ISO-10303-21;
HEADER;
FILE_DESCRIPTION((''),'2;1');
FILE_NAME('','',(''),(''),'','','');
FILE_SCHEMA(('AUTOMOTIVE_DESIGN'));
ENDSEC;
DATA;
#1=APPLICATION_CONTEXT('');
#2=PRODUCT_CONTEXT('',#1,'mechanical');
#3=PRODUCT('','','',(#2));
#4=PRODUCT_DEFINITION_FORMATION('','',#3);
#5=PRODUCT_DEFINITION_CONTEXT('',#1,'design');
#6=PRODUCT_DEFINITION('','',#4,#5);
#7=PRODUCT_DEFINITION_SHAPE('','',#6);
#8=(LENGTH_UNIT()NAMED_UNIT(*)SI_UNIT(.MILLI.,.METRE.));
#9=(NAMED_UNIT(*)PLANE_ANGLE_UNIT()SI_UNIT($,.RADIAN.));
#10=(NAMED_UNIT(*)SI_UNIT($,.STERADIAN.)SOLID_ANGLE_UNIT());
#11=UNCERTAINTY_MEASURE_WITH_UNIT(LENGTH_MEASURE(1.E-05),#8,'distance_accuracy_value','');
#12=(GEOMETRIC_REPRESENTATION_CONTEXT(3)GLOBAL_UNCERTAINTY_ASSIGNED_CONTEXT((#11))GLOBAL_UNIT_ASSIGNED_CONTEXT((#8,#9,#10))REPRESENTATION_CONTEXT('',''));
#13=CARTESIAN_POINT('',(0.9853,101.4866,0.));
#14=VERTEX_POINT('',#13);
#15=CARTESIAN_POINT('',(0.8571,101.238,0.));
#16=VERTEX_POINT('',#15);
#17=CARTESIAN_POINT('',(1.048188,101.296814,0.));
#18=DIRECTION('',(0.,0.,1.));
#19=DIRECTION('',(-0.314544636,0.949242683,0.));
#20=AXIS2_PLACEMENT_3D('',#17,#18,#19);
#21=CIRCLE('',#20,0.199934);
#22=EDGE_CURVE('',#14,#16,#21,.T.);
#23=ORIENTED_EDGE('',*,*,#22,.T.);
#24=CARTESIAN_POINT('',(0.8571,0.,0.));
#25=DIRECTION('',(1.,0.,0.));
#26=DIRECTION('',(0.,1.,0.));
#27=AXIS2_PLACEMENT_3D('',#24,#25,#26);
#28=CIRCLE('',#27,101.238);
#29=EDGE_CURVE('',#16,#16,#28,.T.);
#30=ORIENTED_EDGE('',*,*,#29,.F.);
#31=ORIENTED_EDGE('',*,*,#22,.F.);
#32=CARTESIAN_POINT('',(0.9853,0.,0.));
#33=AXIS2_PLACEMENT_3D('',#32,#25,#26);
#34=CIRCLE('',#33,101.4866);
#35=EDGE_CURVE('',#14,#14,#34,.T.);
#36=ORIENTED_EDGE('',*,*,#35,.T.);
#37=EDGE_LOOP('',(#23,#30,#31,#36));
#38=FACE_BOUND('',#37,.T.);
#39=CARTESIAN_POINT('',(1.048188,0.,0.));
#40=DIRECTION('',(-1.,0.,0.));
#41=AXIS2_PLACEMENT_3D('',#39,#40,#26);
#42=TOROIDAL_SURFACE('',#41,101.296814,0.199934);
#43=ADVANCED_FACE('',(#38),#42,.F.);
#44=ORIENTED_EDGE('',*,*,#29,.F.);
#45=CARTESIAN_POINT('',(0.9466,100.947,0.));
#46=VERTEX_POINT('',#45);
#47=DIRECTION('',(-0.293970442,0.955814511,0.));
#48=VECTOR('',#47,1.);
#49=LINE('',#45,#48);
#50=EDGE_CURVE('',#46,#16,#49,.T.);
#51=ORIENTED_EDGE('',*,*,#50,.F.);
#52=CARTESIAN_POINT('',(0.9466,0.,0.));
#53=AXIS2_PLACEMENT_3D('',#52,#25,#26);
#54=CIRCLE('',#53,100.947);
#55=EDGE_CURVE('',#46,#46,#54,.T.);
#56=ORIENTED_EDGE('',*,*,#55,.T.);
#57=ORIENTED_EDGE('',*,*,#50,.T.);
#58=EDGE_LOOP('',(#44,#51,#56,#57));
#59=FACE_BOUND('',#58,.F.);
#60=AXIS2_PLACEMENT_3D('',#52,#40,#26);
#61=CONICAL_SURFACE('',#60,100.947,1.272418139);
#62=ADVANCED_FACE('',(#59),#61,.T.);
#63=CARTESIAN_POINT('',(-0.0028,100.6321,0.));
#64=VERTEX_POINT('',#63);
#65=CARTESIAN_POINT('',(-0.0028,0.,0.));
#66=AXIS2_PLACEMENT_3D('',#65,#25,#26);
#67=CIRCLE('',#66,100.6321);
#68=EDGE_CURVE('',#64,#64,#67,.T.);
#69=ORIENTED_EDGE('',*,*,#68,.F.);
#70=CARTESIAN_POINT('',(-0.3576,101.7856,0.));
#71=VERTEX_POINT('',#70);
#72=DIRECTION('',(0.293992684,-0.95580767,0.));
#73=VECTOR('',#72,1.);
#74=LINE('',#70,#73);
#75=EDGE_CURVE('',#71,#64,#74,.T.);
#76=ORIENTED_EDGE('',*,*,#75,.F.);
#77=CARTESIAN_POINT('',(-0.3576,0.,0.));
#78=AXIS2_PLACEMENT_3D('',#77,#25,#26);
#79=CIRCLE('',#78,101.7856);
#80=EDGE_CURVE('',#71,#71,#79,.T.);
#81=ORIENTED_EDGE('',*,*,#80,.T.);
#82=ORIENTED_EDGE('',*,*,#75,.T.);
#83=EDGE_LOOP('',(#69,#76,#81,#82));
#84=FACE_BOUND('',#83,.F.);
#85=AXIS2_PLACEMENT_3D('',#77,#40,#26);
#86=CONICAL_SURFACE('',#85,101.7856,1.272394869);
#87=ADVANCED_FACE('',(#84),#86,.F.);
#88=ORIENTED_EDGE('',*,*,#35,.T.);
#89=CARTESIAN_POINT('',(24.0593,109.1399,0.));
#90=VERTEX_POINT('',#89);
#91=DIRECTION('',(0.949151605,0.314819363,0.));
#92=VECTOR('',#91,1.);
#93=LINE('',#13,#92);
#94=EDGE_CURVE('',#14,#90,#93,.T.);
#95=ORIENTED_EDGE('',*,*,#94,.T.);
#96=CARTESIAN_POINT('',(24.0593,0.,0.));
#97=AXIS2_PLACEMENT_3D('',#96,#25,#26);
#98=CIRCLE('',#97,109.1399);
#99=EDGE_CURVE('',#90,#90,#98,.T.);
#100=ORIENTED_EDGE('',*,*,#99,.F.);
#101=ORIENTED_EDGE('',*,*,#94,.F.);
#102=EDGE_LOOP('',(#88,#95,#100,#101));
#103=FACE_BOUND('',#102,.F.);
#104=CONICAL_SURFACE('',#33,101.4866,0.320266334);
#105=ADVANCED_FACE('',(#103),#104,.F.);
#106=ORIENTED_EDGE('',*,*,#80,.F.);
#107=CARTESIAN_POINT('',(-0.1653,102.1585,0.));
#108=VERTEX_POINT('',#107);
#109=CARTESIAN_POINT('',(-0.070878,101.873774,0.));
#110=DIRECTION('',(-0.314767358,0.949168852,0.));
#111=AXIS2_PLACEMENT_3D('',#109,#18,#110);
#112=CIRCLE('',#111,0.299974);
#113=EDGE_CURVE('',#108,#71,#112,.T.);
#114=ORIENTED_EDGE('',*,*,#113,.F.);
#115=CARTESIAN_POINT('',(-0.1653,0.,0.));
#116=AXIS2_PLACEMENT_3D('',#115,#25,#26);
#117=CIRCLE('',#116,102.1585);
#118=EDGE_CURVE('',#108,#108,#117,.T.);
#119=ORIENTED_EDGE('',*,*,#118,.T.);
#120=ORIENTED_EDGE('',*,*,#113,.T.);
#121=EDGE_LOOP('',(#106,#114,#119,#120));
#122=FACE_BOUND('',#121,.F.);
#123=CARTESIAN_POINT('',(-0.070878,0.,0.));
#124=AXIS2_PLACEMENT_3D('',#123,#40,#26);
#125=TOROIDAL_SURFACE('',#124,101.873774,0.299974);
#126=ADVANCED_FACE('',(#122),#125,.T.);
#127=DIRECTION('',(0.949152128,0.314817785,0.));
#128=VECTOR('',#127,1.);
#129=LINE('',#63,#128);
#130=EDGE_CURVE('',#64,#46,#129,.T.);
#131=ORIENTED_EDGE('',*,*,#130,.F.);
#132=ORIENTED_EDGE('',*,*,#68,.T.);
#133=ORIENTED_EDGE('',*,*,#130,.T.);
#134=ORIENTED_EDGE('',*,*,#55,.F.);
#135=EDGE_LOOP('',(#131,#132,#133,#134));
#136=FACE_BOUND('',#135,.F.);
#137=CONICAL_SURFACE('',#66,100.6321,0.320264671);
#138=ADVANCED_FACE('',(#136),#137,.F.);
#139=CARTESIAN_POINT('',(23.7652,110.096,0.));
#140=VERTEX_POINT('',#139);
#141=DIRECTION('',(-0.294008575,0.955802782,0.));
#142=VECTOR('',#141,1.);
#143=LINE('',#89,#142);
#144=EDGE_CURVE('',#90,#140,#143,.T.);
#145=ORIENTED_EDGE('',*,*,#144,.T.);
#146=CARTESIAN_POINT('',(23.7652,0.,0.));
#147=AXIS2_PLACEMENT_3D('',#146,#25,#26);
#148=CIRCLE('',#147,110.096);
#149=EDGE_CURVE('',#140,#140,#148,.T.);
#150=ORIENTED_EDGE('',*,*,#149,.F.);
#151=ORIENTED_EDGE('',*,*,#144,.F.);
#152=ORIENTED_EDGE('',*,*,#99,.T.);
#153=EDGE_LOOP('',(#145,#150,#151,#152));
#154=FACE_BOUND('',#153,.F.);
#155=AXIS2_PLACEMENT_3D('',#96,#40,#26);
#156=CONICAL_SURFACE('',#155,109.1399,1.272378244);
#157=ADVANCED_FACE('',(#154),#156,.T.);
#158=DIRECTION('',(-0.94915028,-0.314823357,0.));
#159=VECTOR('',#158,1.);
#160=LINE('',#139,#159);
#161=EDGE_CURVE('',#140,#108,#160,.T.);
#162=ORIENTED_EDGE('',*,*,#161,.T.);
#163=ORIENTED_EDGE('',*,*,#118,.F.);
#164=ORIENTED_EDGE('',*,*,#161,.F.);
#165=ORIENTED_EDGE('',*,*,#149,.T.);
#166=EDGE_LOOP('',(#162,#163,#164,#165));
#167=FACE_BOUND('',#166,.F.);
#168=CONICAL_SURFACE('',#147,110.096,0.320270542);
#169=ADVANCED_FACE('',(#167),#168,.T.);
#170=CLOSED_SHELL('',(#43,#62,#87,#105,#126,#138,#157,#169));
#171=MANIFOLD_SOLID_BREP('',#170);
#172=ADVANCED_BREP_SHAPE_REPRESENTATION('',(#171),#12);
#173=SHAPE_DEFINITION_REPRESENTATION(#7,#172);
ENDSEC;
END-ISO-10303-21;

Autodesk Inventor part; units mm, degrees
sketch "Sketch_1" plane through (0, 0, 0) normal (0, 0, 1) x (1, 0, 0)
  line L0 (50, 0) -> (-50, 0)
  arc A0 (-0.1653, 102.1585) -> (-0.3576, 101.7856) centre (-0.0709, 101.8738) ccw
  line L1 (-0.3576, 101.7856) -> (-0.0028, 100.6321)
  line L2 (-0.0028, 100.6321) -> (0.9466, 100.947)
  line L3 (0.9466, 100.947) -> (0.8571, 101.238)
  arc A1 (0.9853, 101.4866) -> (0.8571, 101.238) centre (1.0482, 101.2968) ccw
  line L4 (0.9853, 101.4866) -> (24.0593, 109.1399)
  line L5 (24.0593, 109.1399) -> (23.7652, 110.096)
  line L6 (23.7652, 110.096) -> (-0.1653, 102.1585)
revolve "Revolution1" add sketch "Sketch_1" angle 360 about axis through (50, 0, 0) along (1, 0, 0)
ref_plane "cage_XY" through (0, 0, 0) normal (0, 0, 1) x (1, 0, 0)
ref_plane "cage_YZ" through (0, 0, 0) normal (1, 0, 0) x (0, 1, 0)
ref_plane "cage_ZX" through (0, 0, 0) normal (0, 1, 0) x (0, 0, 1)
ref_plane "roller1_XY" through (0, 100.0165, 0) normal (1, 0, 0) x (0, 0, -1)
ref_plane "roller1_YZ" through (0, 100.0165, 0) normal (0, 0, -1) x (0, 1, 0)
ref_plane "roller1_ZX" through (0, 100.0165, 0) normal (0, 1, 0) x (1, 0, 0)
ref_plane "roller10_XY" through (0, 4.2448, 99.9264) normal (1, 0, 0) x (0, 0.9991, -0.0424)
ref_plane "roller10_YZ" through (0, 4.2448, 99.9264) normal (0, 0.9991, -0.0424) x (0, 0.0424, 0.9991)
ref_plane "roller10_ZX" through (0, 4.2448, 99.9264) normal (0, 0.0424, 0.9991) x (1, 0, 0)
ref_plane "roller11_XY" through (0, -12.7039, 99.2064) normal (1, 0, 0) x (0, 0.9919, 0.127)
ref_plane "roller11_YZ" through (0, -12.7039, 99.2064) normal (0, 0.9919, 0.127) x (0, -0.127, 0.9919)
ref_plane "roller11_ZX" through (0, -12.7039, 99.2064) normal (0, -0.127, 0.9919) x (1, 0, 0)
ref_plane "roller12_XY" through (0, -29.2871, 95.6325) normal (1, 0, 0) x (0, 0.9562, 0.2928)
ref_plane "roller12_YZ" through (0, -29.2871, 95.6325) normal (0, 0.9562, 0.2928) x (0, -0.2928, 0.9562)
ref_plane "roller12_ZX" through (0, -29.2871, 95.6325) normal (0, -0.2928, 0.9562) x (1, 0, 0)
ref_plane "roller13_XY" through (0, -45.0278, 89.3073) normal (1, 0, 0) x (0, 0.8929, 0.4502)
ref_plane "roller13_YZ" through (0, -45.0278, 89.3073) normal (0, 0.8929, 0.4502) x (0, -0.4502, 0.8929)
ref_plane "roller13_ZX" through (0, -45.0278, 89.3073) normal (0, -0.4502, 0.8929) x (1, 0, 0)
ref_plane "roller14_XY" through (0, -59.4731, 80.413) normal (1, 0, 0) x (0, 0.804, 0.5946)
ref_plane "roller14_YZ" through (0, -59.4731, 80.413) normal (0, 0.804, 0.5946) x (0, -0.5946, 0.804)
ref_plane "roller14_ZX" through (0, -59.4731, 80.413) normal (0, -0.5946, 0.804) x (1, 0, 0)
ref_plane "roller15_XY" through (0, -72.2075, 69.2053) normal (1, 0, 0) x (0, 0.6919, 0.722)
ref_plane "roller15_YZ" through (0, -72.2075, 69.2053) normal (0, 0.6919, 0.722) x (0, -0.722, 0.6919)
ref_plane "roller15_ZX" through (0, -72.2075, 69.2053) normal (0, -0.722, 0.6919) x (1, 0, 0)
ref_plane "roller16_XY" through (0, -82.8646, 56.0067) normal (1, 0, 0) x (0, 0.56, 0.8285)
ref_plane "roller16_YZ" through (0, -82.8646, 56.0067) normal (0, 0.56, 0.8285) x (0, -0.8285, 0.56)
ref_plane "roller16_ZX" through (0, -82.8646, 56.0067) normal (0, -0.8285, 0.56) x (1, 0, 0)
ref_plane "roller17_XY" through (0, -91.1379, 41.1969) normal (1, 0, 0) x (0, 0.4119, 0.9112)
ref_plane "roller17_YZ" through (0, -91.1379, 41.1969) normal (0, 0.4119, 0.9112) x (0, -0.9112, 0.4119)
ref_plane "roller17_ZX" through (0, -91.1379, 41.1969) normal (0, -0.9112, 0.4119) x (1, 0, 0)
ref_plane "roller18_XY" through (0, -96.7893, 25.202) normal (1, 0, 0) x (0, 0.252, 0.9677)
ref_plane "roller18_YZ" through (0, -96.7893, 25.202) normal (0, 0.252, 0.9677) x (0, -0.9677, 0.252)
ref_plane "roller18_ZX" through (0, -96.7893, 25.202) normal (0, -0.9677, 0.252) x (1, 0, 0)
ref_plane "roller19_XY" through (0, -99.6562, 8.482) normal (1, 0, 0) x (0, 0.0848, 0.9964)
ref_plane "roller19_YZ" through (0, -99.6562, 8.482) normal (0, 0.0848, 0.9964) x (0, -0.9964, 0.0848)
ref_plane "roller19_ZX" through (0, -99.6562, 8.482) normal (0, -0.9964, 0.0848) x (1, 0, 0)
ref_plane "roller2_XY" through (0, 98.5779, 16.9029) normal (1, 0, 0) x (0, 0.169, -0.9856)
ref_plane "roller2_YZ" through (0, 98.5779, 16.9029) normal (0, 0.169, -0.9856) x (0, 0.9856, 0.169)
ref_plane "roller2_ZX" through (0, 98.5779, 16.9029) normal (0, 0.9856, 0.169) x (1, 0, 0)
ref_plane "roller20_XY" through (0, -99.6562, -8.482) normal (1, 0, 0) x (0, -0.0848, 0.9964)
ref_plane "roller20_YZ" through (0, -99.6562, -8.482) normal (0, -0.0848, 0.9964) x (0, -0.9964, -0.0848)
ref_plane "roller20_ZX" through (0, -99.6562, -8.482) normal (0, -0.9964, -0.0848) x (1, 0, 0)
ref_plane "roller21_XY" through (0, -96.7893, -25.202) normal (1, 0, 0) x (0, -0.252, 0.9677)
ref_plane "roller21_YZ" through (0, -96.7893, -25.202) normal (0, -0.252, 0.9677) x (0, -0.9677, -0.252)
ref_plane "roller21_ZX" through (0, -96.7893, -25.202) normal (0, -0.9677, -0.252) x (1, 0, 0)
ref_plane "roller22_XY" through (0, -91.1379, -41.1969) normal (1, 0, 0) x (0, -0.4119, 0.9112)
ref_plane "roller22_YZ" through (0, -91.1379, -41.1969) normal (0, -0.4119, 0.9112) x (0, -0.9112, -0.4119)
ref_plane "roller22_ZX" through (0, -91.1379, -41.1969) normal (0, -0.9112, -0.4119) x (1, 0, 0)
ref_plane "roller23_XY" through (0, -82.8646, -56.0067) normal (1, 0, 0) x (0, -0.56, 0.8285)
ref_plane "roller23_YZ" through (0, -82.8646, -56.0067) normal (0, -0.56, 0.8285) x (0, -0.8285, -0.56)
ref_plane "roller23_ZX" through (0, -82.8646, -56.0067) normal (0, -0.8285, -0.56) x (1, 0, 0)
ref_plane "roller24_XY" through (0, -72.2075, -69.2053) normal (1, 0, 0) x (0, -0.6919, 0.722)
ref_plane "roller24_YZ" through (0, -72.2075, -69.2053) normal (0, -0.6919, 0.722) x (0, -0.722, -0.6919)
ref_plane "roller24_ZX" through (0, -72.2075, -69.2053) normal (0, -0.722, -0.6919) x (1, 0, 0)
ref_plane "roller25_XY" through (0, -59.4731, -80.413) normal (1, 0, 0) x (0, -0.804, 0.5946)
ref_plane "roller25_YZ" through (0, -59.4731, -80.413) normal (0, -0.804, 0.5946) x (0, -0.5946, -0.804)
ref_plane "roller25_ZX" through (0, -59.4731, -80.413) normal (0, -0.5946, -0.804) x (1, 0, 0)
ref_plane "roller26_XY" through (0, -45.0278, -89.3073) normal (1, 0, 0) x (0, -0.8929, 0.4502)
ref_plane "roller26_YZ" through (0, -45.0278, -89.3073) normal (0, -0.8929, 0.4502) x (0, -0.4502, -0.8929)
ref_plane "roller26_ZX" through (0, -45.0278, -89.3073) normal (0, -0.4502, -0.8929) x (1, 0, 0)
ref_plane "roller27_XY" through (0, -29.2871, -95.6325) normal (1, 0, 0) x (0, -0.9562, 0.2928)
ref_plane "roller27_YZ" through (0, -29.2871, -95.6325) normal (0, -0.9562, 0.2928) x (0, -0.2928, -0.9562)
ref_plane "roller27_ZX" through (0, -29.2871, -95.6325) normal (0, -0.2928, -0.9562) x (1, 0, 0)
ref_plane "roller28_XY" through (0, -12.7039, -99.2064) normal (1, 0, 0) x (0, -0.9919, 0.127)
ref_plane "roller28_YZ" through (0, -12.7039, -99.2064) normal (0, -0.9919, 0.127) x (0, -0.127, -0.9919)
ref_plane "roller28_ZX" through (0, -12.7039, -99.2064) normal (0, -0.127, -0.9919) x (1, 0, 0)
ref_plane "roller29_XY" through (0, 4.2448, -99.9264) normal (1, 0, 0) x (0, -0.9991, -0.0424)
ref_plane "roller29_YZ" through (0, 4.2448, -99.9264) normal (0, -0.9991, -0.0424) x (0, 0.0424, -0.9991)
ref_plane "roller29_ZX" through (0, 4.2448, -99.9264) normal (0, 0.0424, -0.9991) x (1, 0, 0)
ref_plane "roller3_XY" through (0, 94.3033, 33.3195) normal (1, 0, 0) x (0, 0.3331, -0.9429)
ref_plane "roller3_YZ" through (0, 94.3033, 33.3195) normal (0, 0.3331, -0.9429) x (0, 0.9429, 0.3331)
ref_plane "roller3_ZX" through (0, 94.3033, 33.3195) normal (0, 0.9429, 0.3331) x (1, 0, 0)
ref_plane "roller30_XY" through (0, 21.0714, -97.7717) normal (1, 0, 0) x (0, -0.9776, -0.2107)
ref_plane "roller30_YZ" through (0, 21.0714, -97.7717) normal (0, -0.9776, -0.2107) x (0, 0.2107, -0.9776)
ref_plane "roller30_ZX" through (0, 21.0714, -97.7717) normal (0, 0.2107, -0.9776) x (1, 0, 0)
ref_plane "roller31_XY" through (0, 37.2918, -92.8042) normal (1, 0, 0) x (0, -0.9279, -0.3729)
ref_plane "roller31_YZ" through (0, 37.2918, -92.8042) normal (0, -0.9279, -0.3729) x (0, 0.3729, -0.9279)
ref_plane "roller31_ZX" through (0, 37.2918, -92.8042) normal (0, 0.3729, -0.9279) x (1, 0, 0)
ref_plane "roller32_XY" through (0, 52.4394, -85.167) normal (1, 0, 0) x (0, -0.8515, -0.5243)
ref_plane "roller32_YZ" through (0, 52.4394, -85.167) normal (0, -0.8515, -0.5243) x (0, 0.5243, -0.8515)
ref_plane "roller32_ZX" through (0, 52.4394, -85.167) normal (0, 0.5243, -0.8515) x (1, 0, 0)
ref_plane "roller33_XY" through (0, 66.0784, -75.0796) normal (1, 0, 0) x (0, -0.7507, -0.6607)
ref_plane "roller33_YZ" through (0, 66.0784, -75.0796) normal (0, -0.7507, -0.6607) x (0, 0.6607, -0.7507)
ref_plane "roller33_ZX" through (0, 66.0784, -75.0796) normal (0, 0.6607, -0.7507) x (1, 0, 0)
ref_plane "roller34_XY" through (0, 77.8164, -62.8324) normal (1, 0, 0) x (0, -0.6282, -0.778)
ref_plane "roller34_YZ" through (0, 77.8164, -62.8324) normal (0, -0.6282, -0.778) x (0, 0.778, -0.6282)
ref_plane "roller34_ZX" through (0, 77.8164, -62.8324) normal (0, 0.778, -0.6282) x (1, 0, 0)
ref_plane "roller35_XY" through (0, 87.3158, -48.7775) normal (1, 0, 0) x (0, -0.4877, -0.873)
ref_plane "roller35_YZ" through (0, 87.3158, -48.7775) normal (0, -0.4877, -0.873) x (0, 0.873, -0.4877)
ref_plane "roller35_ZX" through (0, 87.3158, -48.7775) normal (0, 0.873, -0.4877) x (1, 0, 0)
ref_plane "roller36_XY" through (0, 94.3033, -33.3195) normal (1, 0, 0) x (0, -0.3331, -0.9429)
ref_plane "roller36_YZ" through (0, 94.3033, -33.3195) normal (0, -0.3331, -0.9429) x (0, 0.9429, -0.3331)
ref_plane "roller36_ZX" through (0, 94.3033, -33.3195) normal (0, 0.9429, -0.3331) x (1, 0, 0)
ref_plane "roller37_XY" through (0, 98.5779, -16.9029) normal (1, 0, 0) x (0, -0.169, -0.9856)
ref_plane "roller37_YZ" through (0, 98.5779, -16.9029) normal (0, -0.169, -0.9856) x (0, 0.9856, -0.169)
ref_plane "roller37_ZX" through (0, 98.5779, -16.9029) normal (0, 0.9856, -0.169) x (1, 0, 0)
ref_plane "roller4_XY" through (0, 87.3158, 48.7775) normal (1, 0, 0) x (0, 0.4877, -0.873)
ref_plane "roller4_YZ" through (0, 87.3158, 48.7775) normal (0, 0.4877, -0.873) x (0, 0.873, 0.4877)
ref_plane "roller4_ZX" through (0, 87.3158, 48.7775) normal (0, 0.873, 0.4877) x (1, 0, 0)
ref_plane "roller5_XY" through (0, 77.8164, 62.8324) normal (1, 0, 0) x (0, 0.6282, -0.778)
ref_plane "roller5_YZ" through (0, 77.8164, 62.8324) normal (0, 0.6282, -0.778) x (0, 0.778, 0.6282)
ref_plane "roller5_ZX" through (0, 77.8164, 62.8324) normal (0, 0.778, 0.6282) x (1, 0, 0)
ref_plane "roller6_XY" through (0, 66.0784, 75.0796) normal (1, 0, 0) x (0, 0.7507, -0.6607)
ref_plane "roller6_YZ" through (0, 66.0784, 75.0796) normal (0, 0.7507, -0.6607) x (0, 0.6607, 0.7507)
ref_plane "roller6_ZX" through (0, 66.0784, 75.0796) normal (0, 0.6607, 0.7507) x (1, 0, 0)
ref_plane "roller7_XY" through (0, 52.4394, 85.167) normal (1, 0, 0) x (0, 0.8515, -0.5243)
ref_plane "roller7_YZ" through (0, 52.4394, 85.167) normal (0, 0.8515, -0.5243) x (0, 0.5243, 0.8515)
ref_plane "roller7_ZX" through (0, 52.4394, 85.167) normal (0, 0.5243, 0.8515) x (1, 0, 0)
ref_plane "roller8_XY" through (0, 37.2918, 92.8042) normal (1, 0, 0) x (0, 0.9279, -0.3729)
ref_plane "roller8_YZ" through (0, 37.2918, 92.8042) normal (0, 0.9279, -0.3729) x (0, 0.3729, 0.9279)
ref_plane "roller8_ZX" through (0, 37.2918, 92.8042) normal (0, 0.3729, 0.9279) x (1, 0, 0)
ref_plane "roller9_XY" through (0, 21.0714, 97.7717) normal (1, 0, 0) x (0, 0.9776, -0.2107)
ref_plane "roller9_YZ" through (0, 21.0714, 97.7717) normal (0, 0.9776, -0.2107) x (0, 0.2107, 0.9776)
ref_plane "roller9_ZX" through (0, 21.0714, 97.7717) normal (0, 0.2107, 0.9776) x (1, 0, 0)
properties part number "T4DB 170_cage"
